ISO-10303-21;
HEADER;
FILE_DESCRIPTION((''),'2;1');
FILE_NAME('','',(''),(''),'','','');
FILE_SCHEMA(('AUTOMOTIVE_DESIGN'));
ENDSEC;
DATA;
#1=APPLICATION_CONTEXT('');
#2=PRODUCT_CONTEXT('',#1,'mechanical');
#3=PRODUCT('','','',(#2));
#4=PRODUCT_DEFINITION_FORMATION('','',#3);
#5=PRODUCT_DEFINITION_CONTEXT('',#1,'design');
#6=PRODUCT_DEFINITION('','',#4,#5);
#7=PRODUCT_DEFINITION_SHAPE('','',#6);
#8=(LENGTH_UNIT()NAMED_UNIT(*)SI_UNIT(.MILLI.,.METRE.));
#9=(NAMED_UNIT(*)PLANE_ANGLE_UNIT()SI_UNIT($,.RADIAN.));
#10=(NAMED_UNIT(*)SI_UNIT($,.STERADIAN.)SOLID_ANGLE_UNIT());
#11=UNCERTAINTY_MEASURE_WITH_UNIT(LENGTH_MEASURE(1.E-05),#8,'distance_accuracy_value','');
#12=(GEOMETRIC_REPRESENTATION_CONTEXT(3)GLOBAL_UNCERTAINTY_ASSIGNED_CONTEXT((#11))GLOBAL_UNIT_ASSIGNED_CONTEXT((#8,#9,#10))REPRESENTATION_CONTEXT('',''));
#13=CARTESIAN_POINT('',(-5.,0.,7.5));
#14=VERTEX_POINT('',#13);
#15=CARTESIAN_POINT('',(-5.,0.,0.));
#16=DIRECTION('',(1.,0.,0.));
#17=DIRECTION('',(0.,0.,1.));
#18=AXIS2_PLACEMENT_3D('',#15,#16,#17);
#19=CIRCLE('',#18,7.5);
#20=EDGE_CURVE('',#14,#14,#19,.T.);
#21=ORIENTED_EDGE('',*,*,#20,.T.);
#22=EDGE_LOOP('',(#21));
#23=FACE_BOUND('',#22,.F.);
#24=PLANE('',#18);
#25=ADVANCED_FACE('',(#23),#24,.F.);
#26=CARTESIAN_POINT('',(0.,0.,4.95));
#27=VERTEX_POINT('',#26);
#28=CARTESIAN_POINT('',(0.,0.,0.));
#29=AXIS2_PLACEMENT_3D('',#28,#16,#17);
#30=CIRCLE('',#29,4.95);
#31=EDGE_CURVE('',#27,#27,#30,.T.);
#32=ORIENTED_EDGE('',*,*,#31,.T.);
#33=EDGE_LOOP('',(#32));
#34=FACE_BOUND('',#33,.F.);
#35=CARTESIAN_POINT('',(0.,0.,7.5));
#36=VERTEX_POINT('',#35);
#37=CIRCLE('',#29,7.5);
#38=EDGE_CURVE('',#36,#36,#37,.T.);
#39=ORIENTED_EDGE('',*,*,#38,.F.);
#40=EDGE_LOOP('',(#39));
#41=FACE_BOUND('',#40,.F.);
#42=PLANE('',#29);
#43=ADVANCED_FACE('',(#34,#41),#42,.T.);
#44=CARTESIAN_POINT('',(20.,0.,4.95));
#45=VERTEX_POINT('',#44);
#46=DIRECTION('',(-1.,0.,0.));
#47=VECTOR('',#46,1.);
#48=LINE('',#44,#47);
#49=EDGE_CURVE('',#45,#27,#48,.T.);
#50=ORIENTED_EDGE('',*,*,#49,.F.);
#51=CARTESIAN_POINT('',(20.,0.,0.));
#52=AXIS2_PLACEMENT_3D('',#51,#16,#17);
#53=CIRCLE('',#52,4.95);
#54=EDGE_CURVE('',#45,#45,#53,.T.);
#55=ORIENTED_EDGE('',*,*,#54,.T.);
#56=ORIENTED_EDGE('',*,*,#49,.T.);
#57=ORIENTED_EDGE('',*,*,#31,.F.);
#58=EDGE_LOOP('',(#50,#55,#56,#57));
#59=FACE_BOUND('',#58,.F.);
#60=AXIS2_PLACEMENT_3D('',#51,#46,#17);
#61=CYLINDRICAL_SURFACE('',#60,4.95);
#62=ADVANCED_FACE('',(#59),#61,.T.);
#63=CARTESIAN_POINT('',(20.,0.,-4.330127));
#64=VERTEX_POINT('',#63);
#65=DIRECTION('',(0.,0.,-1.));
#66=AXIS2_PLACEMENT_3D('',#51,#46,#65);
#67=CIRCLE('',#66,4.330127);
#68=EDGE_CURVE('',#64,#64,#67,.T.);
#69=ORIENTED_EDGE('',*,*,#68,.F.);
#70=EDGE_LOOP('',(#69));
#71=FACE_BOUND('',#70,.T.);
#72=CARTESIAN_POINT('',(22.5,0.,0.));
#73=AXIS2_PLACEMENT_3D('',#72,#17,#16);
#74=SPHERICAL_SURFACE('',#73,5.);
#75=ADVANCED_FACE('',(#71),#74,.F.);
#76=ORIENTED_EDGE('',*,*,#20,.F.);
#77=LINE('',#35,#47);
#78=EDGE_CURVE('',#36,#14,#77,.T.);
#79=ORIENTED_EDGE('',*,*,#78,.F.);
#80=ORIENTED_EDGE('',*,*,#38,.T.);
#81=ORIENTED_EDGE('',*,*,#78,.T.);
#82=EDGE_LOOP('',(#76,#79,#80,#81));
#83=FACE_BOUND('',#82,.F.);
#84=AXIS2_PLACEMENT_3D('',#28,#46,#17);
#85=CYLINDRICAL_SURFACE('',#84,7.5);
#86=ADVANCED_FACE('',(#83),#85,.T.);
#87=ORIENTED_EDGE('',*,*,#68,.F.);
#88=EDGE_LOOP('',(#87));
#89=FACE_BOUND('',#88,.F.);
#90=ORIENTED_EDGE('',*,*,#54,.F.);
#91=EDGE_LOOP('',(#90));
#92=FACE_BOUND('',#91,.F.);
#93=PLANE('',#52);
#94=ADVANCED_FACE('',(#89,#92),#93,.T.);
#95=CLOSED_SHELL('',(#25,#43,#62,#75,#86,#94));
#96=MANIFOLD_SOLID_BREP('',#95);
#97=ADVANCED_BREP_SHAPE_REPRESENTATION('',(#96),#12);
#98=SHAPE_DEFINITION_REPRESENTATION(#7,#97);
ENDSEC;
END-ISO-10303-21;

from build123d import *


with BuildPart() as f1:
    # F0 (on Front) → F1 (revolve)
    with BuildSketch(Plane.XZ):
        Polygon((-5, 0), (0, 0), (20, 0), (20, 4.95), (0, 4.95), (0, 7.5), (-5, 7.5), align=None)
    revolve(axis=Axis((4.550593, 0, 0), (1, 0, 0)))

    # F2 (on Front) → F3 (revolve, cut)
    with BuildSketch(Plane.XZ):
        with BuildLine():
            Line((22.5, 5), (22.5, -5))
            ThreePointArc((22.5, -5), (27.5, 0), (22.5, 5))
        make_face()
    revolve(axis=Axis((22.5, 0, -0.384427), (0, 0, -1)), mode=Mode.SUBTRACT)


solid = f1.part
